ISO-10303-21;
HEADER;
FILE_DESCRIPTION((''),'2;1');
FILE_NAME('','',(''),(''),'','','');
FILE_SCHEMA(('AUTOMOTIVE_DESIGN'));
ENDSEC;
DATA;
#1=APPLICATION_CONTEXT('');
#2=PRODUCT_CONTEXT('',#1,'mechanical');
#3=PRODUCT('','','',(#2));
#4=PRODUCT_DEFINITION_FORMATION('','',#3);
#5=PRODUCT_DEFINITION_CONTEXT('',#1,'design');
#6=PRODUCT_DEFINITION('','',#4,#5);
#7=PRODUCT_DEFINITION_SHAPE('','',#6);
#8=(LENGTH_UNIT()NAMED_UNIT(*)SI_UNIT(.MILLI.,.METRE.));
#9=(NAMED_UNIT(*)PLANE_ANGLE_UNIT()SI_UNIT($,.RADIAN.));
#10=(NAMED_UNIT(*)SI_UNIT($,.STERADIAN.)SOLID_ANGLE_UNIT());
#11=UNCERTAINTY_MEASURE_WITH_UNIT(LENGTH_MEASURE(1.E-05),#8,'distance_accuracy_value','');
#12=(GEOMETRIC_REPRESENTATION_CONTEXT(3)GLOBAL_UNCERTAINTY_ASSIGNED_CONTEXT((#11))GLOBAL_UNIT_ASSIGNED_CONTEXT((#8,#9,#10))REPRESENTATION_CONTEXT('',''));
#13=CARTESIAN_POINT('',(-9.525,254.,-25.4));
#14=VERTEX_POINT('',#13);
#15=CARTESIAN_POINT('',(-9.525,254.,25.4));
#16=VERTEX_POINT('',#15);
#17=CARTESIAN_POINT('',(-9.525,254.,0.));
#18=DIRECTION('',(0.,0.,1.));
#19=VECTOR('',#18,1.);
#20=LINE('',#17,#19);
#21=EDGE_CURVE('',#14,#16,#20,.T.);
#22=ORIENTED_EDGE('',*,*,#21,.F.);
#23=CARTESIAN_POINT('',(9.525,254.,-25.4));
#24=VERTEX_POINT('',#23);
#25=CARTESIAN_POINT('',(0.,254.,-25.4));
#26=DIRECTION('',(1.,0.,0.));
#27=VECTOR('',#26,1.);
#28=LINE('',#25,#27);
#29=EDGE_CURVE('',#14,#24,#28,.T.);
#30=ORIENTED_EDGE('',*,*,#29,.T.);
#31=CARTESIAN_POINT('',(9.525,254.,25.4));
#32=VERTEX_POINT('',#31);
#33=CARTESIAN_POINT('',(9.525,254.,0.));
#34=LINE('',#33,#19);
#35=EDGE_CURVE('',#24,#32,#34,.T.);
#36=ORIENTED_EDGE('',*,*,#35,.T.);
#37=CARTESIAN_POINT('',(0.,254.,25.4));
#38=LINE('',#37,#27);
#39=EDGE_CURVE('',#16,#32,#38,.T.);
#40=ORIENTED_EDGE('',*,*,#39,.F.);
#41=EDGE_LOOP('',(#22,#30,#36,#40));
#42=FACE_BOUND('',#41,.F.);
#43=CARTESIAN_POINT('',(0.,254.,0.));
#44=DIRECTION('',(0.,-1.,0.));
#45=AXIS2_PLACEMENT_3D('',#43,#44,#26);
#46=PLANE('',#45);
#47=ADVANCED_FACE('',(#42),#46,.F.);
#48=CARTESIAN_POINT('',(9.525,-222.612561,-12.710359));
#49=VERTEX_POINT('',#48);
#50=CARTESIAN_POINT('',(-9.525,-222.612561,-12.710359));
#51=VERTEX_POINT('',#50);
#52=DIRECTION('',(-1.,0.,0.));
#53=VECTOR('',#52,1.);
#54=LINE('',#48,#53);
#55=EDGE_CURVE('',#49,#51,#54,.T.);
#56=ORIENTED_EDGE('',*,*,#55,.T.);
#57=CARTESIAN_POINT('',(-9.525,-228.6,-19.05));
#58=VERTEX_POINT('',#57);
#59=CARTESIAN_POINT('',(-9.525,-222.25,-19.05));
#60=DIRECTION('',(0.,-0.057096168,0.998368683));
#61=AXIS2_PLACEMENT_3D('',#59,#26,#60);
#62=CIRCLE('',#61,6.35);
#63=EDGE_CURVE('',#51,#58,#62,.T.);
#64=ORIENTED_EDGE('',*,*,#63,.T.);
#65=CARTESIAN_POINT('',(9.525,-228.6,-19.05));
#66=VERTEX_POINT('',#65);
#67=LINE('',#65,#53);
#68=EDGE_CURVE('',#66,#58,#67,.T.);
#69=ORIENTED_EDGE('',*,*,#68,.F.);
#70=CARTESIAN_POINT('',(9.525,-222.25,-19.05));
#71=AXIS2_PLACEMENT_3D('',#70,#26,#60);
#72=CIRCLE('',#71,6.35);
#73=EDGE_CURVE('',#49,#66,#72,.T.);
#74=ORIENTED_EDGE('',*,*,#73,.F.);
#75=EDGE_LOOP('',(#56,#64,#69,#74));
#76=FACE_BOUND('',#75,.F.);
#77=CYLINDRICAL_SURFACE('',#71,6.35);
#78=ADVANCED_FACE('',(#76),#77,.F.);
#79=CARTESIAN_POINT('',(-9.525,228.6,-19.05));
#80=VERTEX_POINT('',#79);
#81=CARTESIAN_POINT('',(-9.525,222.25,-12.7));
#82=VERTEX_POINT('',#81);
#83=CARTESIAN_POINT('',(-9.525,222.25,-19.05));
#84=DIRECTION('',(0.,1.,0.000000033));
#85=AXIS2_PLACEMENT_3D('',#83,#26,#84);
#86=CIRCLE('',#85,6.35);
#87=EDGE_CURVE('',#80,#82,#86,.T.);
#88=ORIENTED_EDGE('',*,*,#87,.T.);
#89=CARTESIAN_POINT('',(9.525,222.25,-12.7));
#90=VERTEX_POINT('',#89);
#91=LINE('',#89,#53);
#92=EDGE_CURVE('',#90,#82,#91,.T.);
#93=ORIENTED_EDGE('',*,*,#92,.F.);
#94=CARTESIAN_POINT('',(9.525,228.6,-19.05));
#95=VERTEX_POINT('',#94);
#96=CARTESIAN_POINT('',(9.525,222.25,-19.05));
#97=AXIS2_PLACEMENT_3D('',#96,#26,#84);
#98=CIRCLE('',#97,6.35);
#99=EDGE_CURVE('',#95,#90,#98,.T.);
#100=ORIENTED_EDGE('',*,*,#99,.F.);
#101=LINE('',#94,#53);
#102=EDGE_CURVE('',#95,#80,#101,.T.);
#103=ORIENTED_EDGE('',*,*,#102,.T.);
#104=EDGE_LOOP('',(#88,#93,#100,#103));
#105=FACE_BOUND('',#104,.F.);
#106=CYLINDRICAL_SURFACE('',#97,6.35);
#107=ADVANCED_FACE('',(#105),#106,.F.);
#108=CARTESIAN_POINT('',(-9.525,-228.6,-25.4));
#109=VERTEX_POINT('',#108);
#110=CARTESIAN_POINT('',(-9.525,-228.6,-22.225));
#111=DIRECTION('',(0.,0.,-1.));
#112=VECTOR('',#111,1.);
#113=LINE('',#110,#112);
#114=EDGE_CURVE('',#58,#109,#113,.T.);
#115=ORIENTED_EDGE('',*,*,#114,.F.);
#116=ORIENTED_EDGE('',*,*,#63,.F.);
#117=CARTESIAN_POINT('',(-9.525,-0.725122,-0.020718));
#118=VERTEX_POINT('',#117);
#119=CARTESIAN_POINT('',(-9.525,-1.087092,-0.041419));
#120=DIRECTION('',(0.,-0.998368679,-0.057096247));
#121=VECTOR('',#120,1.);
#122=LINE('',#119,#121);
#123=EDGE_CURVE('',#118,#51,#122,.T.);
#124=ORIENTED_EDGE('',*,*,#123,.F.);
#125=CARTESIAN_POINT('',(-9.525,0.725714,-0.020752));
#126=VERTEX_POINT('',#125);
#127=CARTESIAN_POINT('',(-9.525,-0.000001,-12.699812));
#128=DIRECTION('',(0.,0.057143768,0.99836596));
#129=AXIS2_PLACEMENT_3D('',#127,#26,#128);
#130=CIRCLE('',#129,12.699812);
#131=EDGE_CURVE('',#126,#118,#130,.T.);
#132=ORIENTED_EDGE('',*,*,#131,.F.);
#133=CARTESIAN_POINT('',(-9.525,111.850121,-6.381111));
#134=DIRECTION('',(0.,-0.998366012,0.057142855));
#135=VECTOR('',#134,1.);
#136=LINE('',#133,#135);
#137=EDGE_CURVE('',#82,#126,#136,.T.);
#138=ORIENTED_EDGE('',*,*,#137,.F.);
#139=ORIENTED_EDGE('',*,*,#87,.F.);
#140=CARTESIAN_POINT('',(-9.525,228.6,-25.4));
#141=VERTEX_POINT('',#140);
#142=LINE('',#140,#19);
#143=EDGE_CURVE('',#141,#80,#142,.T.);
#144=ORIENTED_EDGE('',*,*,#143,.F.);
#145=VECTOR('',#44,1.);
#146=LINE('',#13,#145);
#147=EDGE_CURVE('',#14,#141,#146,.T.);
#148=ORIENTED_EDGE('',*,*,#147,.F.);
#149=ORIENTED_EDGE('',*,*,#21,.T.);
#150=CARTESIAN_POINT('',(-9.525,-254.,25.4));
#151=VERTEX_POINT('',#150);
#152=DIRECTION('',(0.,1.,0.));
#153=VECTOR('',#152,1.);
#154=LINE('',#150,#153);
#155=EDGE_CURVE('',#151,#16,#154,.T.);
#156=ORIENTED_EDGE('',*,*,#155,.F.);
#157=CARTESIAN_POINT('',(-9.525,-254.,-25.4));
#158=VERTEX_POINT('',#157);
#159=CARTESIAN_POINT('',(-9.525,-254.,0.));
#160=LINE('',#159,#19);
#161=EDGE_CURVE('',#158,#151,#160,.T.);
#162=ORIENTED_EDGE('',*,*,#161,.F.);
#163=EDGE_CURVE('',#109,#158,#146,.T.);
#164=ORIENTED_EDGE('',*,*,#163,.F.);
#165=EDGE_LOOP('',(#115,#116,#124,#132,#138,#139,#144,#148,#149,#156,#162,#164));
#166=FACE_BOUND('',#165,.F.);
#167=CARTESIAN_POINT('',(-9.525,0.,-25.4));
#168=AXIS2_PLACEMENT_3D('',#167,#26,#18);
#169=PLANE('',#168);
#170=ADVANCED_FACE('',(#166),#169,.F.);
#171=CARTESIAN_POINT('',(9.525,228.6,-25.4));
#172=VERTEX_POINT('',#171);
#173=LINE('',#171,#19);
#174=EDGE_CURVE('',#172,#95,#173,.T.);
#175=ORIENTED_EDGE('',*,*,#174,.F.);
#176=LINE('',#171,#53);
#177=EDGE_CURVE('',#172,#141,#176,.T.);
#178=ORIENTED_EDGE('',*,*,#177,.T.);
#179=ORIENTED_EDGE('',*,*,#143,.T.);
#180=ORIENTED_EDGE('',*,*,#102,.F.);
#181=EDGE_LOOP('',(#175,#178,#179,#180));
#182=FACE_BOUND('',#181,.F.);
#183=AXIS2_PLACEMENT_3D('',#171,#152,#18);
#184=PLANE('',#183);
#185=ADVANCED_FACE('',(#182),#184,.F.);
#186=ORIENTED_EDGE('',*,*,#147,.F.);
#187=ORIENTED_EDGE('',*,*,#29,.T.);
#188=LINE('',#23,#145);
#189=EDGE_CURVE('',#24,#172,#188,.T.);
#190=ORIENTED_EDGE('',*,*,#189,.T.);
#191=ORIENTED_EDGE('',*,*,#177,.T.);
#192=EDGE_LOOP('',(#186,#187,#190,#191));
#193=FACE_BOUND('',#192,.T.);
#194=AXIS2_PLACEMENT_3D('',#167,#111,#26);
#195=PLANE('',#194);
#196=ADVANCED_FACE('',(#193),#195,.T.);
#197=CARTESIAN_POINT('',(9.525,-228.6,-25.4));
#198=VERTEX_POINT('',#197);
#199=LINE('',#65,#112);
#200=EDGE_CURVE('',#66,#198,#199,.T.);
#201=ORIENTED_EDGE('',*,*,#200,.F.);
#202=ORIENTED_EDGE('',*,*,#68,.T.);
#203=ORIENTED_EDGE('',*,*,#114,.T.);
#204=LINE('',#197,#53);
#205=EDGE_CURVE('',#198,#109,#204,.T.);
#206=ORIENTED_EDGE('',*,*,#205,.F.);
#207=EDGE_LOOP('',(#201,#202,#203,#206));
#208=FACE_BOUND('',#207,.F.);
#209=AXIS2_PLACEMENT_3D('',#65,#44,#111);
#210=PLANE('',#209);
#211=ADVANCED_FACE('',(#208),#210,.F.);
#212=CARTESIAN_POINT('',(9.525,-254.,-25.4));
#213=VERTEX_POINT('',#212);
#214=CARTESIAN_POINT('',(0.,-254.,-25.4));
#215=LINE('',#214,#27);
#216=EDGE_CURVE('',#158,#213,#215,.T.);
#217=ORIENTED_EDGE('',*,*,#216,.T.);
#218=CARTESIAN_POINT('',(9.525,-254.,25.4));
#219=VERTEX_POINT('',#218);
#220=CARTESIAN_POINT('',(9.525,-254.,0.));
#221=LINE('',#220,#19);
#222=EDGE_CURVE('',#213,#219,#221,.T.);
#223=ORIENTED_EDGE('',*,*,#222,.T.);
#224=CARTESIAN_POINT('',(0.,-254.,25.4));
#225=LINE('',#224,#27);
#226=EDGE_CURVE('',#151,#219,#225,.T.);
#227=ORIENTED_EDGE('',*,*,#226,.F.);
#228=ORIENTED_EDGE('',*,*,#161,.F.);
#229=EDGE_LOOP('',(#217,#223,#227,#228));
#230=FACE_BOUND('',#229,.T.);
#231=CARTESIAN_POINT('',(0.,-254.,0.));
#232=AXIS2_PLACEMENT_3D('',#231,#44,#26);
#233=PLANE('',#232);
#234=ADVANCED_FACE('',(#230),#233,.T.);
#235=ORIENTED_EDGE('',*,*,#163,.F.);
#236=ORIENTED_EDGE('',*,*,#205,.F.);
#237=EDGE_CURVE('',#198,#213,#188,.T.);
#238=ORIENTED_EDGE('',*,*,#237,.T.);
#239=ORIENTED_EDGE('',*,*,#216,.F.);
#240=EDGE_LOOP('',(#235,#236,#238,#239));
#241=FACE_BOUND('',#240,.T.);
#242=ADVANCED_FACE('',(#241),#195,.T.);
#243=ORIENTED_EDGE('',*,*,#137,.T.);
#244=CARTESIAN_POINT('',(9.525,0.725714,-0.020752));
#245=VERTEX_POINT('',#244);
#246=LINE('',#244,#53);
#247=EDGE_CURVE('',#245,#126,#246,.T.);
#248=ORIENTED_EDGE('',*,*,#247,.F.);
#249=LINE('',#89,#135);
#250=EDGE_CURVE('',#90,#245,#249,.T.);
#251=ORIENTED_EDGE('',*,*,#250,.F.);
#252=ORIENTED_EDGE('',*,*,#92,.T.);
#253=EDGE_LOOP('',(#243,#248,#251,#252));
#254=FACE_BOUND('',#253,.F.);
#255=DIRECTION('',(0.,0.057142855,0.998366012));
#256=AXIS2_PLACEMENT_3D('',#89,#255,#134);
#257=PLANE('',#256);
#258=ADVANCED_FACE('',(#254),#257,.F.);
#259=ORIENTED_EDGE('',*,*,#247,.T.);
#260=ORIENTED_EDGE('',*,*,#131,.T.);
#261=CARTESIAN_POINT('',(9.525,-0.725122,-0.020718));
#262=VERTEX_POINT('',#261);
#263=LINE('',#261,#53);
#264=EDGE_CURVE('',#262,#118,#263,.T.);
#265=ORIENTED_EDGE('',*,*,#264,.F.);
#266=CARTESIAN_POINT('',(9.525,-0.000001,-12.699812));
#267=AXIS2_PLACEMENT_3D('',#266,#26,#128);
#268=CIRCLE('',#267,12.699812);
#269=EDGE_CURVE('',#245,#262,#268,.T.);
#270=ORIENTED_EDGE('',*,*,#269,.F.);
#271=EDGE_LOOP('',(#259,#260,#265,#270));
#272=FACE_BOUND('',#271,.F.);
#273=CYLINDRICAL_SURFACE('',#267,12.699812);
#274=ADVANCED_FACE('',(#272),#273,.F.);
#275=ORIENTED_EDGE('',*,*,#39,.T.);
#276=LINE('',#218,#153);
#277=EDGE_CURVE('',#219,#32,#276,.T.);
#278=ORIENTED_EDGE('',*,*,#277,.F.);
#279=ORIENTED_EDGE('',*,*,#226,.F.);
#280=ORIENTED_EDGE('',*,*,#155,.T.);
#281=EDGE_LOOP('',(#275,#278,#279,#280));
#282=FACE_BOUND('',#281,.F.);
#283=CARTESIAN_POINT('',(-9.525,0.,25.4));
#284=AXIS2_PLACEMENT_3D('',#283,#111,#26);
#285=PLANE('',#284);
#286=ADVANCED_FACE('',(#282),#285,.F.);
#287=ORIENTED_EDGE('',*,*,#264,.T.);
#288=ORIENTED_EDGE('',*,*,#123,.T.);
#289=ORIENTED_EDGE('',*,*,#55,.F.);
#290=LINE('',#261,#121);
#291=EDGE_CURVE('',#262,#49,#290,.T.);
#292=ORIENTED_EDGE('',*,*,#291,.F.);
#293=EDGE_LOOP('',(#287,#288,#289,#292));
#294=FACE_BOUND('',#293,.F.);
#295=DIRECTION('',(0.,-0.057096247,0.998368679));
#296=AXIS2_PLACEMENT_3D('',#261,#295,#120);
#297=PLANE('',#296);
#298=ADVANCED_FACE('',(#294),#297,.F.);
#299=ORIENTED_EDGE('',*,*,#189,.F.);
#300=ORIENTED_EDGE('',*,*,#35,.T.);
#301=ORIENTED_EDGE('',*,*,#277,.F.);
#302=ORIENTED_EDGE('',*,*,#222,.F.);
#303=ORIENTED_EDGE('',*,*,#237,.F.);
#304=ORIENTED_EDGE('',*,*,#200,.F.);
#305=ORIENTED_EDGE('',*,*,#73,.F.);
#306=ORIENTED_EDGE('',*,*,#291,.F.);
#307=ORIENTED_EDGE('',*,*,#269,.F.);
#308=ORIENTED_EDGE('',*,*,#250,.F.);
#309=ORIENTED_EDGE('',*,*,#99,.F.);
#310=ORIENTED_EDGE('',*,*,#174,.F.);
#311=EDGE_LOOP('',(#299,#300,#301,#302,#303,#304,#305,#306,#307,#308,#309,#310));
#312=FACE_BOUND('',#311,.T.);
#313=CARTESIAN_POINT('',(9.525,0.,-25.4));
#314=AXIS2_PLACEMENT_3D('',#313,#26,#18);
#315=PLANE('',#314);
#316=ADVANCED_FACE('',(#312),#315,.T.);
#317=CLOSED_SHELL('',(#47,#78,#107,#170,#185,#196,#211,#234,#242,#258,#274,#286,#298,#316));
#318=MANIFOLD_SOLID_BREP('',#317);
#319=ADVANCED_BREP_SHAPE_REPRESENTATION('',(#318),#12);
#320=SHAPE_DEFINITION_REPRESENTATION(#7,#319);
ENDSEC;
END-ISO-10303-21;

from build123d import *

# Parameters (mm, degrees)
F0_W     = 19.05
F0_H     = 50.8
F1_DEPTH = 254
F3_DEPTH = 19.051


with BuildPart() as f1:
    # F0 (on Front) → F1 (new body, symmetric)
    with BuildSketch(Plane.XZ):
        Rectangle(F0_W, F0_H)
    extrude(amount=F1_DEPTH, both=True)

    # F2 (on face) → F3 (cut, through all)
    with BuildSketch(Plane.YZ.offset(9.525)):
        with BuildLine():
            ThreePointArc((-0.725122, -0.020718), (-8.720119, -21.933067), (12.7, -12.7))
            ThreePointArc((12.7, -12.7), (9.233271, -3.980097), (0.725714, -0.020752))
            ThreePointArc((0.725714, -0.020752), (0.000296, 0), (-0.725122, -0.020718))
        make_face()
        with BuildLine():
            ThreePointArc((-215.9, -19.05), (-217.889941, -14.433466), (-222.612561, -12.710359))
            ThreePointArc((-222.612561, -12.710359), (-226.866534, -14.689941), (-228.6, -19.05))
            ThreePointArc((-228.6, -19.05), (-222.25, -25.4), (-215.9, -19.05))
        make_face()
        with BuildLine():
            ThreePointArc((228.6, -19.05), (226.740128, -14.559872), (222.25, -12.7))
            ThreePointArc((222.25, -12.7), (217.759872, -23.540128), (228.6, -19.05))
        make_face()
        with BuildLine():
            ThreePointArc((-215.9, -19.05), (-217.759872, -23.540128), (-222.25, -25.4))
            Line((-222.25, -25.4), (0, -25.4))
            ThreePointArc((0, -25.4), (-12.694819, -13.062709), (-0.725122, -0.020718))
            Line((-0.725122, -0.020718), (-222.612561, -12.710359))
            ThreePointArc((-222.612561, -12.710359), (-217.889941, -14.433466), (-215.9, -19.05))
        make_face()
        with BuildLine():
            ThreePointArc((12.7, -12.7), (8.980256, -21.680256), (0, -25.4))
            Line((0, -25.4), (222.25, -25.4))
            ThreePointArc((222.25, -25.4), (215.9, -19.05), (222.25, -12.7))
            Line((222.25, -12.7), (0.725714, -0.020752))
            ThreePointArc((0.725714, -0.020752), (9.233271, -3.980097), (12.7, -12.7))
        make_face()
        with BuildLine():
            Line((222.25, -25.4), (228.6, -25.4))
            Line((228.6, -25.4), (228.6, -19.05))
            ThreePointArc((228.6, -19.05), (226.740128, -23.540128), (222.25, -25.4))
        make_face()
        with BuildLine():
            Line((-228.6, -19.05), (-228.6, -25.4))
            Line((-228.6, -25.4), (-222.25, -25.4))
            ThreePointArc((-222.25, -25.4), (-226.740128, -23.540128), (-228.6, -19.05))
        make_face()
    extrude(amount=-F3_DEPTH, mode=Mode.SUBTRACT)


solid = f1.part
